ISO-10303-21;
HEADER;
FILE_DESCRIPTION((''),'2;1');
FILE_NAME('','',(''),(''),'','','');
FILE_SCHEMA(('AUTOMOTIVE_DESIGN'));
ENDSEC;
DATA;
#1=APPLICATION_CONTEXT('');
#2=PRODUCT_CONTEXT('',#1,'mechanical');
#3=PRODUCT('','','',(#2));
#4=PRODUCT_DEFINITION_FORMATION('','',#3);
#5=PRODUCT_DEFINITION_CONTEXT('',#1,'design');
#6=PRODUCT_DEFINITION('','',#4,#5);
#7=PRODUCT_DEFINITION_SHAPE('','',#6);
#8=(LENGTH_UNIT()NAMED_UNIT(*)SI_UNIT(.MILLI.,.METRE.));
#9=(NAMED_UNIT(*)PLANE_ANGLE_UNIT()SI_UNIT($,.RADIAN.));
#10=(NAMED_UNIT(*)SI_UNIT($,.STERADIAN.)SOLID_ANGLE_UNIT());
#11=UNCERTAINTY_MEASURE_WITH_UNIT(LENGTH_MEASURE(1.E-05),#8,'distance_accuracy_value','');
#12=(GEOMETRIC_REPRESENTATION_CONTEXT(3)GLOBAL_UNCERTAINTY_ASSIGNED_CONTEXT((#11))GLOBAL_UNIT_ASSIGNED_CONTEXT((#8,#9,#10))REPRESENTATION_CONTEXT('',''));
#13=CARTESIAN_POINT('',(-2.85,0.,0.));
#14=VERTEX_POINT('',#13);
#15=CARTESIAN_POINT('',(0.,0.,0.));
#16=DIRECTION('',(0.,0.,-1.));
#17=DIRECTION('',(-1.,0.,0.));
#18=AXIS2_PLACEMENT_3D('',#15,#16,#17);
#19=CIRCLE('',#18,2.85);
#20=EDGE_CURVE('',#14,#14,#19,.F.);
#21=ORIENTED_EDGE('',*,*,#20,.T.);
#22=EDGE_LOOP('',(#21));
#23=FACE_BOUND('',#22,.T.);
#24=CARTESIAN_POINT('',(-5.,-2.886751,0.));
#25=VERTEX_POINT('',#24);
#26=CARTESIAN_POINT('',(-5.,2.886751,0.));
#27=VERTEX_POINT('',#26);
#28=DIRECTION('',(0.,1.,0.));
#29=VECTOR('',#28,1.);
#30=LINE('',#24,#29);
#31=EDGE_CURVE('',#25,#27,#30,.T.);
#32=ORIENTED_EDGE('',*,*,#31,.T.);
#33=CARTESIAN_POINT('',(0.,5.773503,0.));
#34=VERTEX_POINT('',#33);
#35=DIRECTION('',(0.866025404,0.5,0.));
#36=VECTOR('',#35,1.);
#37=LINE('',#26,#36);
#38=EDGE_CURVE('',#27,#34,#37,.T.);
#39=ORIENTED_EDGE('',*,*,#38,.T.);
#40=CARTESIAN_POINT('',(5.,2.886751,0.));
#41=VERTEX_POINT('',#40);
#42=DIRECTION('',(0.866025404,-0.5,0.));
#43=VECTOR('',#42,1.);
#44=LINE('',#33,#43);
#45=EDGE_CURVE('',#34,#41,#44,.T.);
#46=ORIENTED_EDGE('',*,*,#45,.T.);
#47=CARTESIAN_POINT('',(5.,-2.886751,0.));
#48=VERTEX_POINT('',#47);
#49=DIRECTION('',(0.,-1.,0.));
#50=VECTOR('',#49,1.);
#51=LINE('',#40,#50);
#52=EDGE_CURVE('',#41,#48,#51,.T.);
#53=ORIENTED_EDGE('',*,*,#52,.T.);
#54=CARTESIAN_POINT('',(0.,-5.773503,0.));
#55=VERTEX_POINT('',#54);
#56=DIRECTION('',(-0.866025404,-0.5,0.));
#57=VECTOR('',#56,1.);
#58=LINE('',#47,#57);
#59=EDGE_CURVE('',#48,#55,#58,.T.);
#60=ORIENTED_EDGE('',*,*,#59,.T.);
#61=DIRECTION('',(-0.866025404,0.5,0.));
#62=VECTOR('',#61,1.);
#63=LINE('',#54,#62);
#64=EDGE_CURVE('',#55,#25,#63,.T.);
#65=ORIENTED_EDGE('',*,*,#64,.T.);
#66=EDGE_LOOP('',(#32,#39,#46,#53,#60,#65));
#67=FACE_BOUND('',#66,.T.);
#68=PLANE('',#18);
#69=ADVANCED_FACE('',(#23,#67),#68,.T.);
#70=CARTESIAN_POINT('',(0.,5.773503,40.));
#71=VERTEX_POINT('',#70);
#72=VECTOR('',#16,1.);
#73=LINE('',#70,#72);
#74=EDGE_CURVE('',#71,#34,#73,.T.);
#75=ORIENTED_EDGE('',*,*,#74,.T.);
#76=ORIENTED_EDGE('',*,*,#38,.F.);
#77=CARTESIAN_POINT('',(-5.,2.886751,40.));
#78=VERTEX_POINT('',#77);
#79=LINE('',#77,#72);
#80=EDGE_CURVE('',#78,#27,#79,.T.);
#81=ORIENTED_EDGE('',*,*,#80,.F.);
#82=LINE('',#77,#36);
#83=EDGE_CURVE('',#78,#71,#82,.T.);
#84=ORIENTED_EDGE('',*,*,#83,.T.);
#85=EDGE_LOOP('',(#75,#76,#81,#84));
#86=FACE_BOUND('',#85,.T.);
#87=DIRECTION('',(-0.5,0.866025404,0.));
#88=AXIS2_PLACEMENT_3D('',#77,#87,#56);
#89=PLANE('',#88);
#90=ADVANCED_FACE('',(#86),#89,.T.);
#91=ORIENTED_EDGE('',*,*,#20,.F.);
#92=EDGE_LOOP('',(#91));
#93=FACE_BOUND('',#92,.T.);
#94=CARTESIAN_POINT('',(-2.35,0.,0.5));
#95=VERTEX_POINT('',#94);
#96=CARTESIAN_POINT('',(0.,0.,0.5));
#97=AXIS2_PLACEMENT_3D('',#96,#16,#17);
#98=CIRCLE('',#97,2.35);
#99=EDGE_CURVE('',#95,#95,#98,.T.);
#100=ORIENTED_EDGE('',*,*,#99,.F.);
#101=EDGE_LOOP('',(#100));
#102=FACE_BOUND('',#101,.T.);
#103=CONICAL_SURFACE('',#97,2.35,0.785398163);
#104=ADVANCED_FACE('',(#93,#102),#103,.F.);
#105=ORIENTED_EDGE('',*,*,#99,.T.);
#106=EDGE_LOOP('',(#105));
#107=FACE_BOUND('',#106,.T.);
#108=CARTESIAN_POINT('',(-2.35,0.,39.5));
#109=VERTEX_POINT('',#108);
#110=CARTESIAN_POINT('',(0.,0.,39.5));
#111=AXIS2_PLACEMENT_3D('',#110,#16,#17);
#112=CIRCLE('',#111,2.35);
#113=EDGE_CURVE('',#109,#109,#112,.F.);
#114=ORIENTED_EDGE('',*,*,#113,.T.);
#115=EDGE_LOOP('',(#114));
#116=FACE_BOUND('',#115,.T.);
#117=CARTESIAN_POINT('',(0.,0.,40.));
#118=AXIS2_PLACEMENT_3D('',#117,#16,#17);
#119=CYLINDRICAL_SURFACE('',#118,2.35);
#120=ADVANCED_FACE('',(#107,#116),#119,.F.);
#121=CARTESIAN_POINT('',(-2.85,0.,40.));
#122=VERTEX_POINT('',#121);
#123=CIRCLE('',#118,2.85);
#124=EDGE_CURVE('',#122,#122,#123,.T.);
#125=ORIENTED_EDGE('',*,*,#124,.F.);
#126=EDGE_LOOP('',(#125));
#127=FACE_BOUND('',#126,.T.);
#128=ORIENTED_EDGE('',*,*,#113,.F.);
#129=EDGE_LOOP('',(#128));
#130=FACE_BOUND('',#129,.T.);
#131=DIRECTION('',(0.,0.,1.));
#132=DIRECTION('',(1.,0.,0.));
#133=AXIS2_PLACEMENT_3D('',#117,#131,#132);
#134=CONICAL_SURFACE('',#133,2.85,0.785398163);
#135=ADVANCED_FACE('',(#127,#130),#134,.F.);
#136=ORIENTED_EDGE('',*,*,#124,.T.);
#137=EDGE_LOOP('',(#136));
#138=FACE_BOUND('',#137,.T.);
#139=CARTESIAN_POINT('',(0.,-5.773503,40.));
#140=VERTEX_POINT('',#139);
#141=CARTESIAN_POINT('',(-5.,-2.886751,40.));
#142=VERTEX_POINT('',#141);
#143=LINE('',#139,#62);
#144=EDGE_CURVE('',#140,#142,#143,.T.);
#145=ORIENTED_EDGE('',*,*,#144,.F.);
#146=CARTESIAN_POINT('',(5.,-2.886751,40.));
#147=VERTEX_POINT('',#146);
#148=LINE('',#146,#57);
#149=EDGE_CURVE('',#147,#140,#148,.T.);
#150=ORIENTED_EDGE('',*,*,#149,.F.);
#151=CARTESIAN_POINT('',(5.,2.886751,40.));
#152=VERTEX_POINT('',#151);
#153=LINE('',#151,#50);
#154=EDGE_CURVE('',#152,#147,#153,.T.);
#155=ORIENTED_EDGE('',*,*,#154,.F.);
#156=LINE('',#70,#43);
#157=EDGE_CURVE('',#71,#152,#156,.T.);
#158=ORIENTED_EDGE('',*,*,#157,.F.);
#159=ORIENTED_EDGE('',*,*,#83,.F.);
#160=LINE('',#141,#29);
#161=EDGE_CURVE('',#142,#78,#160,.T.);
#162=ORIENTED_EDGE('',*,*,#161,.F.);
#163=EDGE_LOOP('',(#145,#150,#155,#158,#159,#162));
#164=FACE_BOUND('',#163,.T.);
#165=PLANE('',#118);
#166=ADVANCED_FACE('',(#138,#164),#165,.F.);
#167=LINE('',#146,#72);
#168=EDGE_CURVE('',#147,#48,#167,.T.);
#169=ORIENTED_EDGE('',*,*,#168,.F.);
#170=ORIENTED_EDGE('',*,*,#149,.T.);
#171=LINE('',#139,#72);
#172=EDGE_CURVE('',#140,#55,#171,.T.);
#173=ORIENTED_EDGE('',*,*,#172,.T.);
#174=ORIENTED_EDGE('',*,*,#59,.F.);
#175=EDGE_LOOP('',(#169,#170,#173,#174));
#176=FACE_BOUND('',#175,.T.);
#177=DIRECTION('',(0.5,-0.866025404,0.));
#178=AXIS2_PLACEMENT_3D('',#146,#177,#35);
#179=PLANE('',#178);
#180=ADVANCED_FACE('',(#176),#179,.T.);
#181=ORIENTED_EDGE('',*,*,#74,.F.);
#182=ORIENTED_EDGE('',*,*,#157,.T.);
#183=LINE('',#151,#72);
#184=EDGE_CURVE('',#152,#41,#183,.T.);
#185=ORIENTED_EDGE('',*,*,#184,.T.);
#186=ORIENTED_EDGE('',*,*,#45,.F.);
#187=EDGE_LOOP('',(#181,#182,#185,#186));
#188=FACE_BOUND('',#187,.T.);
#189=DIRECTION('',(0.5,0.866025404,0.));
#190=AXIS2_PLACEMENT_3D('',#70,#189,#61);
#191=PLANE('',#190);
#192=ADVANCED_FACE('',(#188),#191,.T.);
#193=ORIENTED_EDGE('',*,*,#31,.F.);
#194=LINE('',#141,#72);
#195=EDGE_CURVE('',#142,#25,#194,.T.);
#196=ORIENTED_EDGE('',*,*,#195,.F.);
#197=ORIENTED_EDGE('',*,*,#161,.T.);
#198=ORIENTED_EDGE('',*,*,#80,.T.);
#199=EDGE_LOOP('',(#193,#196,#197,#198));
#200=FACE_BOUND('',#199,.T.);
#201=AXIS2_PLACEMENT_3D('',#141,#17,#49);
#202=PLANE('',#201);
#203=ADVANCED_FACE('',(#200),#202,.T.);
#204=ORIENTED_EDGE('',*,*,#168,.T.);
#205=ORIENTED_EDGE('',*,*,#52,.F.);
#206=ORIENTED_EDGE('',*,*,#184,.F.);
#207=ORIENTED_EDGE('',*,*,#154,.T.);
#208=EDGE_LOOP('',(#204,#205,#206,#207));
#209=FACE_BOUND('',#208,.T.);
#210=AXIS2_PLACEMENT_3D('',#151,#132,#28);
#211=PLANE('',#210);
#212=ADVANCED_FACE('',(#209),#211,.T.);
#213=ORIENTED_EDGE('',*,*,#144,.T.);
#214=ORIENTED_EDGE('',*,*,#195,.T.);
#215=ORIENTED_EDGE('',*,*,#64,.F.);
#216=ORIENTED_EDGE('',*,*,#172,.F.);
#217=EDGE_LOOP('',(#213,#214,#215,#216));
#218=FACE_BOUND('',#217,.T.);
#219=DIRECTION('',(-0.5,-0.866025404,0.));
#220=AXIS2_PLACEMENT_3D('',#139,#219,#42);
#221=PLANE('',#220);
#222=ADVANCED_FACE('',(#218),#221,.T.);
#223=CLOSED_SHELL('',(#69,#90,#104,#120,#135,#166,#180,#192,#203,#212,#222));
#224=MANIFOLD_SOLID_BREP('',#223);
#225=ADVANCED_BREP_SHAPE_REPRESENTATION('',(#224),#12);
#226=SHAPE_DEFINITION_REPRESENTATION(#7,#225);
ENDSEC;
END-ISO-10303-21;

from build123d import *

# Parameters (mm, degrees)
SKETCH1_R           = 2.35
BOSS_EXTRUDE1_DEPTH = 40
CHAMFER4_SIZE       = 0.5


with BuildPart() as part:
    # Sketch1 → Boss-Extrude1 (new body)
    with BuildSketch(Plane(origin=(0, 0, 0), x_dir=(-1, 0, 0), z_dir=(0, 0, -1))):
        Polygon((-5.000000075, 2.886751389), (-5.000000075, -2.886751389), (0, -5.773502778), (5.000000075, -2.886751389), (5.000000075, 2.886751389), (0, 5.773502778), align=None)
        Circle(SKETCH1_R, mode=Mode.SUBTRACT)
    extrude(amount=-BOSS_EXTRUDE1_DEPTH)

    # Chamfer4
    chamfer4_edges = [part.edges().sort_by_distance(p)[0] for p in [
        (2.35, 0, 40),
        (2.35, 0, 0),
    ]]
    chamfer(chamfer4_edges, length=CHAMFER4_SIZE)


solid = part.part
